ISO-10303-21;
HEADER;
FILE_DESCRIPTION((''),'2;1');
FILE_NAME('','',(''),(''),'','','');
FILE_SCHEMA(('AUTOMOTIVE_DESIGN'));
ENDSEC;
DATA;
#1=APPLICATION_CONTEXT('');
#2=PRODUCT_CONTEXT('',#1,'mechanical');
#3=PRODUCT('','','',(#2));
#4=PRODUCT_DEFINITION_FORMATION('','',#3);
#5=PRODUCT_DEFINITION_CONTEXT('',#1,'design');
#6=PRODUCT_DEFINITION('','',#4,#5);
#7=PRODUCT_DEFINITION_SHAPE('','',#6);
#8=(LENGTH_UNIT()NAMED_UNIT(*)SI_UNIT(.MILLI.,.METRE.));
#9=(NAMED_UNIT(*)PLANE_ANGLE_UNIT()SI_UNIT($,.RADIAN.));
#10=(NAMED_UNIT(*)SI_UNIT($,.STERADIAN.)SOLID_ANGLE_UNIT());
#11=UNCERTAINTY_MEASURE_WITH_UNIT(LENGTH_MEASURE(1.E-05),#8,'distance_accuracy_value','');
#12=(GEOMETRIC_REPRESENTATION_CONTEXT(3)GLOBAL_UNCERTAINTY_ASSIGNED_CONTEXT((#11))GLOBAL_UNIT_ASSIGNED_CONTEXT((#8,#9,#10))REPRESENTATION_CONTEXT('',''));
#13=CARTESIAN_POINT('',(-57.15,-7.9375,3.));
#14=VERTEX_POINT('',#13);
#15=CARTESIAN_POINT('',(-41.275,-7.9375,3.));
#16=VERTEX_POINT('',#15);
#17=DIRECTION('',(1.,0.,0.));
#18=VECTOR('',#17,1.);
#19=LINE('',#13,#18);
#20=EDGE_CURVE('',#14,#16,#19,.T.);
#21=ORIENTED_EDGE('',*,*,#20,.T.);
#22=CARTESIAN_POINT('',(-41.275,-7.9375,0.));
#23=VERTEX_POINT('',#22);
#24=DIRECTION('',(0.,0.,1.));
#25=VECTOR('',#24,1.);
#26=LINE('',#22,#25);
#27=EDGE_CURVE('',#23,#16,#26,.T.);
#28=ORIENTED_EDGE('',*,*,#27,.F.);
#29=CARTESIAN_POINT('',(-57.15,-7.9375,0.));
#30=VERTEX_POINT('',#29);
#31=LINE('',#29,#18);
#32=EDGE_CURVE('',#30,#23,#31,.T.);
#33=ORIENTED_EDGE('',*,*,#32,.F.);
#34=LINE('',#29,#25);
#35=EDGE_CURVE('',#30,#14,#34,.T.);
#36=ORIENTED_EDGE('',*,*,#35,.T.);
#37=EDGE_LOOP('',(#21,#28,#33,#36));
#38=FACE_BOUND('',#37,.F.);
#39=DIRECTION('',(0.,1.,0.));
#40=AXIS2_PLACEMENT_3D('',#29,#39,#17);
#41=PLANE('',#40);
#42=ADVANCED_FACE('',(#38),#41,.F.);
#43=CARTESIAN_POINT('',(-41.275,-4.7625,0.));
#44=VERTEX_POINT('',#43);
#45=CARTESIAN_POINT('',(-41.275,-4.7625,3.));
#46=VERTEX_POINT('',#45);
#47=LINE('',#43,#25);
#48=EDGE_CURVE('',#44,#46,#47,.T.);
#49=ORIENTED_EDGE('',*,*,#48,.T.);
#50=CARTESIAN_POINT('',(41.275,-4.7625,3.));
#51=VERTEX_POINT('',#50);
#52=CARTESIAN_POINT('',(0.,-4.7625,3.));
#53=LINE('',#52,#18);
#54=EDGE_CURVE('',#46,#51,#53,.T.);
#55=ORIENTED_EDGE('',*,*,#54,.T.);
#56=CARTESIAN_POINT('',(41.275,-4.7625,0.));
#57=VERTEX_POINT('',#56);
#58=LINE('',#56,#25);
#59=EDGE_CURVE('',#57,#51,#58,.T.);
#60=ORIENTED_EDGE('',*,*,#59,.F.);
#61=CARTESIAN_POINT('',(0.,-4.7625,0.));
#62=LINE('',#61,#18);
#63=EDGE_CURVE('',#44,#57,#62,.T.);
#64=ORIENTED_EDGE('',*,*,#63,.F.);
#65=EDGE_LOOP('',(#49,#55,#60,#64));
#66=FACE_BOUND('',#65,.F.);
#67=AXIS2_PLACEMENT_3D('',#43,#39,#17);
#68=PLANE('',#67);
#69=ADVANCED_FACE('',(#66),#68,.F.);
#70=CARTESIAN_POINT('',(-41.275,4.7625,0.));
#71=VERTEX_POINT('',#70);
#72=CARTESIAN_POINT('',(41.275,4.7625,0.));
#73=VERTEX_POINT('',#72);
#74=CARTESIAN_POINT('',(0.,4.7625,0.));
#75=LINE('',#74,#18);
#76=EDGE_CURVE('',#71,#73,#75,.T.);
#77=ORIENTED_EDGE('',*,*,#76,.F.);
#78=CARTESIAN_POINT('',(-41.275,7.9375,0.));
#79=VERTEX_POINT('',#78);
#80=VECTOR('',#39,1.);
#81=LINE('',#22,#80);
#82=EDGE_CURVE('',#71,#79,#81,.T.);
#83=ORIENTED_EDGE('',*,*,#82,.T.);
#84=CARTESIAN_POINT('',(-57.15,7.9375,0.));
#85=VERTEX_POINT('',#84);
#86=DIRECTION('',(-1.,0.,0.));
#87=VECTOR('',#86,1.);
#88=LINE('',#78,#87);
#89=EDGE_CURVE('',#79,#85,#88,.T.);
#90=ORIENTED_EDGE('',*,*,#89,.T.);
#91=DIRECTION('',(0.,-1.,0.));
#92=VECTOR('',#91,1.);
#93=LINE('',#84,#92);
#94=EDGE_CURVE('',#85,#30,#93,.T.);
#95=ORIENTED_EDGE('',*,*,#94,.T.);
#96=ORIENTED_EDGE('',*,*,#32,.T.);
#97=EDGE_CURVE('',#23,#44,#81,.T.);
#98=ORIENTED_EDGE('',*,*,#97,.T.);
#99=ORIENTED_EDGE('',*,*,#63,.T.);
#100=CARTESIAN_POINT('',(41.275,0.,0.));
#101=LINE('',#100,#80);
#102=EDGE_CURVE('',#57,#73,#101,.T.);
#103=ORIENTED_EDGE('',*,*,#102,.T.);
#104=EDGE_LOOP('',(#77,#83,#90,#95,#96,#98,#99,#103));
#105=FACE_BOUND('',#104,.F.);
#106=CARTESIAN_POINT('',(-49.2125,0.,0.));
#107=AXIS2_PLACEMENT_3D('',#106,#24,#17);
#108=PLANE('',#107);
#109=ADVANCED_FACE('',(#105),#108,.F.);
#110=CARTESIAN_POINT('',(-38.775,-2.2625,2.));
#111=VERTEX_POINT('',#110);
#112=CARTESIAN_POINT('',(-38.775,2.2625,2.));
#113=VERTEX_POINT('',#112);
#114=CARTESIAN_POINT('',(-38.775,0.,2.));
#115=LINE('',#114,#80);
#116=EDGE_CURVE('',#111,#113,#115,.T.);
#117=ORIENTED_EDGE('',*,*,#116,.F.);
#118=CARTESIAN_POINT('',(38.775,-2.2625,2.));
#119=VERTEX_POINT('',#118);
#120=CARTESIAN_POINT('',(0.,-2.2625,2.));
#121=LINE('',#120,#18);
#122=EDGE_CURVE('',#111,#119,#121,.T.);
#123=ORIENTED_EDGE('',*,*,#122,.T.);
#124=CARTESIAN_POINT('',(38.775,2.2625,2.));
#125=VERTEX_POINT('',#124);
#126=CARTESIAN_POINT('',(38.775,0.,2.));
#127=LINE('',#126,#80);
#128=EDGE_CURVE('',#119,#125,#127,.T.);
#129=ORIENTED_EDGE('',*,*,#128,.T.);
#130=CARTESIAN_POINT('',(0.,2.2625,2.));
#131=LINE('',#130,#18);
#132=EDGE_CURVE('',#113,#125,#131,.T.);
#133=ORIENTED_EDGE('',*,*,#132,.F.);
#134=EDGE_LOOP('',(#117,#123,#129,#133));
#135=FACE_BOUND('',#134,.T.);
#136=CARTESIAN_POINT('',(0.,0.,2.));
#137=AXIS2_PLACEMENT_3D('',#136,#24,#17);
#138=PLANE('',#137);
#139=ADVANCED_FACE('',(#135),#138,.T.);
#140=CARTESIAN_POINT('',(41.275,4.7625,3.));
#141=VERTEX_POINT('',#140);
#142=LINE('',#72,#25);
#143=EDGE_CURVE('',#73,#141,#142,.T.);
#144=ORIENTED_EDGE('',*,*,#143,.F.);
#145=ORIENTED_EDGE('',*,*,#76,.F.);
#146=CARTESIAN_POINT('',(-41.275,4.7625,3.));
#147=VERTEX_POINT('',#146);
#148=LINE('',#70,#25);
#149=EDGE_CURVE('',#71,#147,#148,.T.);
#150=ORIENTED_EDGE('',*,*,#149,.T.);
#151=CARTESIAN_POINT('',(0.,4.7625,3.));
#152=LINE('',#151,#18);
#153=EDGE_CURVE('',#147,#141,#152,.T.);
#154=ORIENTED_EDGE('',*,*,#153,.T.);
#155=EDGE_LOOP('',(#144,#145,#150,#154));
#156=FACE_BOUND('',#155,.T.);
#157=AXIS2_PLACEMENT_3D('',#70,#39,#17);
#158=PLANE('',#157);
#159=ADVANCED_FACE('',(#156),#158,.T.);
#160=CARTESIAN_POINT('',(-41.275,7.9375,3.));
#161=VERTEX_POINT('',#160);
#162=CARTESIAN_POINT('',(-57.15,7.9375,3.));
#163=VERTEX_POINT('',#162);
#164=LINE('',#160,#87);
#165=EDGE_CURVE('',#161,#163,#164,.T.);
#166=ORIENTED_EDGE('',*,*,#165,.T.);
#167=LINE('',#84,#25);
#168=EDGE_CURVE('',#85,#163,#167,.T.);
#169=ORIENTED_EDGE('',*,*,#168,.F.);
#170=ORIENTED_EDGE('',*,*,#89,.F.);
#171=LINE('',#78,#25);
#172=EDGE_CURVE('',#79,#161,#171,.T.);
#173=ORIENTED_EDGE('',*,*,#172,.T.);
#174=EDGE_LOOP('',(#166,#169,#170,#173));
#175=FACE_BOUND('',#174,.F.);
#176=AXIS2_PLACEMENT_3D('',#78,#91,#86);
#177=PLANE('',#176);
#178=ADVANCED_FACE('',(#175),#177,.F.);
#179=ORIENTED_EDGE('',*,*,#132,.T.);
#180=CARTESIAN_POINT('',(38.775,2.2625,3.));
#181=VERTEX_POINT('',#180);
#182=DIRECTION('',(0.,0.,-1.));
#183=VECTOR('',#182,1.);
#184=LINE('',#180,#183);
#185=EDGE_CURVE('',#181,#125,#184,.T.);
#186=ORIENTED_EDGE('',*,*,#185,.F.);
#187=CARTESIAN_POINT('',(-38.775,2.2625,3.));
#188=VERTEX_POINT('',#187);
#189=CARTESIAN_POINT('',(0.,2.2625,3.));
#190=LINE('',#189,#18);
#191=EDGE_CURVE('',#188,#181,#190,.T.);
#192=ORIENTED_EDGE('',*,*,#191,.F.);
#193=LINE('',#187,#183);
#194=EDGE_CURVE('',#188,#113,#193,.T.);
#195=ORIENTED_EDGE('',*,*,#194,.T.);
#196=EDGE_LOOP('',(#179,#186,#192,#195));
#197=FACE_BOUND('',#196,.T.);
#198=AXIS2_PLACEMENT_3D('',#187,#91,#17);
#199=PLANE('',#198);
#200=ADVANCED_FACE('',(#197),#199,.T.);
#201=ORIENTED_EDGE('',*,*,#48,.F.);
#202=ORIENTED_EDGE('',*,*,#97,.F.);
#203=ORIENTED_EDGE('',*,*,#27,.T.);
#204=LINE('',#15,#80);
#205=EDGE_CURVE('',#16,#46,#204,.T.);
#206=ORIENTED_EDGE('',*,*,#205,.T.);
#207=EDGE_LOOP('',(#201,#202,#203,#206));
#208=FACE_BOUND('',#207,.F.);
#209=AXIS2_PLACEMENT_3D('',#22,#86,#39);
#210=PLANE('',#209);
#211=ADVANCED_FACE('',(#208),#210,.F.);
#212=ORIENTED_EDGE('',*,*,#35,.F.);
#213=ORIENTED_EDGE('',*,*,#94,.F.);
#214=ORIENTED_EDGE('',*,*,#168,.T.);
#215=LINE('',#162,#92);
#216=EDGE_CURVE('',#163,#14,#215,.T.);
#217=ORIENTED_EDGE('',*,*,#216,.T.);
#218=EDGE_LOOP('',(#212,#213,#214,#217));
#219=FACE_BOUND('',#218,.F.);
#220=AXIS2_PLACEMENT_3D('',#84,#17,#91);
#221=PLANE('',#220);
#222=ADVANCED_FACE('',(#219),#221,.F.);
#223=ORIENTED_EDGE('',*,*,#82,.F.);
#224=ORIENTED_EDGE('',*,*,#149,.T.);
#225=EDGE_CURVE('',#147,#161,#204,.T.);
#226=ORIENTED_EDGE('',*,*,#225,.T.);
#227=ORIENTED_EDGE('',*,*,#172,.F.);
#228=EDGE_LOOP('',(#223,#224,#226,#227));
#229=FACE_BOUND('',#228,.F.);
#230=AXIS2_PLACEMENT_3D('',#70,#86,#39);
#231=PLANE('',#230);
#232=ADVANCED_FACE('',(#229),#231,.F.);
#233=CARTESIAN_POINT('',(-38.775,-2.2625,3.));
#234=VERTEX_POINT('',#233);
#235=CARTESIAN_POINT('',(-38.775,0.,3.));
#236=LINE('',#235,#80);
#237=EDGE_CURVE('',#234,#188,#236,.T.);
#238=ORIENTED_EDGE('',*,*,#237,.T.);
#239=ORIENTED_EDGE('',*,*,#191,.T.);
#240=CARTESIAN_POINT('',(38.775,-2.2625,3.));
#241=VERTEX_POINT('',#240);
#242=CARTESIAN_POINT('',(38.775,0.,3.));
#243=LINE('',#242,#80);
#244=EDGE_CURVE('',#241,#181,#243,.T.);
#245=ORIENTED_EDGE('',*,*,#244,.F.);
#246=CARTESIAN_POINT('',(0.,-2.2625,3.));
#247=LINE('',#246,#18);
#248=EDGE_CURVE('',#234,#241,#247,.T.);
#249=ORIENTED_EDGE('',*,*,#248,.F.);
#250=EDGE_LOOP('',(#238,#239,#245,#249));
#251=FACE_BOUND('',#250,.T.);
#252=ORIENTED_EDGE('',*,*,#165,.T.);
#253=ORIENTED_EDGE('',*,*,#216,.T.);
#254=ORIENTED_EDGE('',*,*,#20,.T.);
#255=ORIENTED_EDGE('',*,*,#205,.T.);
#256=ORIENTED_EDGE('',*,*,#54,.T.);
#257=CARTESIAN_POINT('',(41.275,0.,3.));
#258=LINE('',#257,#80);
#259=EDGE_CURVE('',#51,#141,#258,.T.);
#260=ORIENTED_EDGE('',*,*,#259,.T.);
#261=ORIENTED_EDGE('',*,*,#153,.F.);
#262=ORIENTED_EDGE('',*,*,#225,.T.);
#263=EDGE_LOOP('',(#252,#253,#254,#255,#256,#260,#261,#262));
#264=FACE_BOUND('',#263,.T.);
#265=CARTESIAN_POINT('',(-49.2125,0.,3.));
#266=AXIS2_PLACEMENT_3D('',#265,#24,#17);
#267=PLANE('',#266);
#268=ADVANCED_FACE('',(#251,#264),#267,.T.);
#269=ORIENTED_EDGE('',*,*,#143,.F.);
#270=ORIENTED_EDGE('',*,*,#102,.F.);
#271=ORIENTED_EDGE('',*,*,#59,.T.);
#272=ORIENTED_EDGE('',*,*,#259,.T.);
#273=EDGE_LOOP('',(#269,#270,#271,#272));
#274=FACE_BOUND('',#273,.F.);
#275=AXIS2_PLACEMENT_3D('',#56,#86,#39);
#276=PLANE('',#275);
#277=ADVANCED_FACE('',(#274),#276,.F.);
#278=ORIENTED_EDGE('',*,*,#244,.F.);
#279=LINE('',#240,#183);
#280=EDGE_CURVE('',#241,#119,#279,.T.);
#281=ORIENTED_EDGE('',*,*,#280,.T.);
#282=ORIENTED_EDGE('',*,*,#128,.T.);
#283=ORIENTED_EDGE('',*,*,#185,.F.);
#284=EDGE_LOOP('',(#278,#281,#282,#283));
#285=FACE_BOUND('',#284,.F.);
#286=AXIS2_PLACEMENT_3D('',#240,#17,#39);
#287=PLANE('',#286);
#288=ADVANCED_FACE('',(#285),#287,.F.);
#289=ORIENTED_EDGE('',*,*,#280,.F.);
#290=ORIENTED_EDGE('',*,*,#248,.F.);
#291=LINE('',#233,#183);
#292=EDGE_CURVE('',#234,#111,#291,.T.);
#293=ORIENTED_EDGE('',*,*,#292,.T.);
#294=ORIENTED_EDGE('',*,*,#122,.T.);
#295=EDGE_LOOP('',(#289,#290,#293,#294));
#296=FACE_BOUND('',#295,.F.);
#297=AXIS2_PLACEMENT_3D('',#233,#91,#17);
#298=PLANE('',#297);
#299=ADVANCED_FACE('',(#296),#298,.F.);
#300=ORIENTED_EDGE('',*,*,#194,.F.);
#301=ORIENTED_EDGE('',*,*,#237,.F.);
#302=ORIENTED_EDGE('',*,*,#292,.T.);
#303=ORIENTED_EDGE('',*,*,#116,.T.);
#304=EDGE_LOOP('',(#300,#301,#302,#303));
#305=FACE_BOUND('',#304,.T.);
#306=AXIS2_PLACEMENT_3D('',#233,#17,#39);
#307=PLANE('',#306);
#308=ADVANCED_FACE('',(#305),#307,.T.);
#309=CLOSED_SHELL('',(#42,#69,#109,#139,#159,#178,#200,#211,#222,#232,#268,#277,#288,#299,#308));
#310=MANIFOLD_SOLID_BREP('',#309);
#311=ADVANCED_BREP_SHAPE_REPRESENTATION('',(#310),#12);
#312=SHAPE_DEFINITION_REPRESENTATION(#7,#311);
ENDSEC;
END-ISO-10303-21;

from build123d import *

# Parameters (mm, degrees)
F0_W     = 82.55
F0_H     = 9.525
F1_DEPTH = 3
F2_W     = 77.55
F2_H     = 4.525
F3_DEPTH = 1


with BuildPart() as f1:
    # F0 (on Top) → F1 (new body)
    with BuildSketch(Plane.XY):
        Polygon((-41.275, -4.7625), (-41.275, 4.7625), (-41.275, 7.9375), (-57.15, 7.9375), (-57.15, -7.9375), (-41.275, -7.9375), align=None)
        Rectangle(F0_W, F0_H)
    extrude(amount=F1_DEPTH)

    # F2 (on face) → F3 (cut)
    with BuildSketch(Plane.XY.offset(3)):
        Rectangle(F2_W, F2_H)
    extrude(amount=-F3_DEPTH, mode=Mode.SUBTRACT)


solid = f1.part
